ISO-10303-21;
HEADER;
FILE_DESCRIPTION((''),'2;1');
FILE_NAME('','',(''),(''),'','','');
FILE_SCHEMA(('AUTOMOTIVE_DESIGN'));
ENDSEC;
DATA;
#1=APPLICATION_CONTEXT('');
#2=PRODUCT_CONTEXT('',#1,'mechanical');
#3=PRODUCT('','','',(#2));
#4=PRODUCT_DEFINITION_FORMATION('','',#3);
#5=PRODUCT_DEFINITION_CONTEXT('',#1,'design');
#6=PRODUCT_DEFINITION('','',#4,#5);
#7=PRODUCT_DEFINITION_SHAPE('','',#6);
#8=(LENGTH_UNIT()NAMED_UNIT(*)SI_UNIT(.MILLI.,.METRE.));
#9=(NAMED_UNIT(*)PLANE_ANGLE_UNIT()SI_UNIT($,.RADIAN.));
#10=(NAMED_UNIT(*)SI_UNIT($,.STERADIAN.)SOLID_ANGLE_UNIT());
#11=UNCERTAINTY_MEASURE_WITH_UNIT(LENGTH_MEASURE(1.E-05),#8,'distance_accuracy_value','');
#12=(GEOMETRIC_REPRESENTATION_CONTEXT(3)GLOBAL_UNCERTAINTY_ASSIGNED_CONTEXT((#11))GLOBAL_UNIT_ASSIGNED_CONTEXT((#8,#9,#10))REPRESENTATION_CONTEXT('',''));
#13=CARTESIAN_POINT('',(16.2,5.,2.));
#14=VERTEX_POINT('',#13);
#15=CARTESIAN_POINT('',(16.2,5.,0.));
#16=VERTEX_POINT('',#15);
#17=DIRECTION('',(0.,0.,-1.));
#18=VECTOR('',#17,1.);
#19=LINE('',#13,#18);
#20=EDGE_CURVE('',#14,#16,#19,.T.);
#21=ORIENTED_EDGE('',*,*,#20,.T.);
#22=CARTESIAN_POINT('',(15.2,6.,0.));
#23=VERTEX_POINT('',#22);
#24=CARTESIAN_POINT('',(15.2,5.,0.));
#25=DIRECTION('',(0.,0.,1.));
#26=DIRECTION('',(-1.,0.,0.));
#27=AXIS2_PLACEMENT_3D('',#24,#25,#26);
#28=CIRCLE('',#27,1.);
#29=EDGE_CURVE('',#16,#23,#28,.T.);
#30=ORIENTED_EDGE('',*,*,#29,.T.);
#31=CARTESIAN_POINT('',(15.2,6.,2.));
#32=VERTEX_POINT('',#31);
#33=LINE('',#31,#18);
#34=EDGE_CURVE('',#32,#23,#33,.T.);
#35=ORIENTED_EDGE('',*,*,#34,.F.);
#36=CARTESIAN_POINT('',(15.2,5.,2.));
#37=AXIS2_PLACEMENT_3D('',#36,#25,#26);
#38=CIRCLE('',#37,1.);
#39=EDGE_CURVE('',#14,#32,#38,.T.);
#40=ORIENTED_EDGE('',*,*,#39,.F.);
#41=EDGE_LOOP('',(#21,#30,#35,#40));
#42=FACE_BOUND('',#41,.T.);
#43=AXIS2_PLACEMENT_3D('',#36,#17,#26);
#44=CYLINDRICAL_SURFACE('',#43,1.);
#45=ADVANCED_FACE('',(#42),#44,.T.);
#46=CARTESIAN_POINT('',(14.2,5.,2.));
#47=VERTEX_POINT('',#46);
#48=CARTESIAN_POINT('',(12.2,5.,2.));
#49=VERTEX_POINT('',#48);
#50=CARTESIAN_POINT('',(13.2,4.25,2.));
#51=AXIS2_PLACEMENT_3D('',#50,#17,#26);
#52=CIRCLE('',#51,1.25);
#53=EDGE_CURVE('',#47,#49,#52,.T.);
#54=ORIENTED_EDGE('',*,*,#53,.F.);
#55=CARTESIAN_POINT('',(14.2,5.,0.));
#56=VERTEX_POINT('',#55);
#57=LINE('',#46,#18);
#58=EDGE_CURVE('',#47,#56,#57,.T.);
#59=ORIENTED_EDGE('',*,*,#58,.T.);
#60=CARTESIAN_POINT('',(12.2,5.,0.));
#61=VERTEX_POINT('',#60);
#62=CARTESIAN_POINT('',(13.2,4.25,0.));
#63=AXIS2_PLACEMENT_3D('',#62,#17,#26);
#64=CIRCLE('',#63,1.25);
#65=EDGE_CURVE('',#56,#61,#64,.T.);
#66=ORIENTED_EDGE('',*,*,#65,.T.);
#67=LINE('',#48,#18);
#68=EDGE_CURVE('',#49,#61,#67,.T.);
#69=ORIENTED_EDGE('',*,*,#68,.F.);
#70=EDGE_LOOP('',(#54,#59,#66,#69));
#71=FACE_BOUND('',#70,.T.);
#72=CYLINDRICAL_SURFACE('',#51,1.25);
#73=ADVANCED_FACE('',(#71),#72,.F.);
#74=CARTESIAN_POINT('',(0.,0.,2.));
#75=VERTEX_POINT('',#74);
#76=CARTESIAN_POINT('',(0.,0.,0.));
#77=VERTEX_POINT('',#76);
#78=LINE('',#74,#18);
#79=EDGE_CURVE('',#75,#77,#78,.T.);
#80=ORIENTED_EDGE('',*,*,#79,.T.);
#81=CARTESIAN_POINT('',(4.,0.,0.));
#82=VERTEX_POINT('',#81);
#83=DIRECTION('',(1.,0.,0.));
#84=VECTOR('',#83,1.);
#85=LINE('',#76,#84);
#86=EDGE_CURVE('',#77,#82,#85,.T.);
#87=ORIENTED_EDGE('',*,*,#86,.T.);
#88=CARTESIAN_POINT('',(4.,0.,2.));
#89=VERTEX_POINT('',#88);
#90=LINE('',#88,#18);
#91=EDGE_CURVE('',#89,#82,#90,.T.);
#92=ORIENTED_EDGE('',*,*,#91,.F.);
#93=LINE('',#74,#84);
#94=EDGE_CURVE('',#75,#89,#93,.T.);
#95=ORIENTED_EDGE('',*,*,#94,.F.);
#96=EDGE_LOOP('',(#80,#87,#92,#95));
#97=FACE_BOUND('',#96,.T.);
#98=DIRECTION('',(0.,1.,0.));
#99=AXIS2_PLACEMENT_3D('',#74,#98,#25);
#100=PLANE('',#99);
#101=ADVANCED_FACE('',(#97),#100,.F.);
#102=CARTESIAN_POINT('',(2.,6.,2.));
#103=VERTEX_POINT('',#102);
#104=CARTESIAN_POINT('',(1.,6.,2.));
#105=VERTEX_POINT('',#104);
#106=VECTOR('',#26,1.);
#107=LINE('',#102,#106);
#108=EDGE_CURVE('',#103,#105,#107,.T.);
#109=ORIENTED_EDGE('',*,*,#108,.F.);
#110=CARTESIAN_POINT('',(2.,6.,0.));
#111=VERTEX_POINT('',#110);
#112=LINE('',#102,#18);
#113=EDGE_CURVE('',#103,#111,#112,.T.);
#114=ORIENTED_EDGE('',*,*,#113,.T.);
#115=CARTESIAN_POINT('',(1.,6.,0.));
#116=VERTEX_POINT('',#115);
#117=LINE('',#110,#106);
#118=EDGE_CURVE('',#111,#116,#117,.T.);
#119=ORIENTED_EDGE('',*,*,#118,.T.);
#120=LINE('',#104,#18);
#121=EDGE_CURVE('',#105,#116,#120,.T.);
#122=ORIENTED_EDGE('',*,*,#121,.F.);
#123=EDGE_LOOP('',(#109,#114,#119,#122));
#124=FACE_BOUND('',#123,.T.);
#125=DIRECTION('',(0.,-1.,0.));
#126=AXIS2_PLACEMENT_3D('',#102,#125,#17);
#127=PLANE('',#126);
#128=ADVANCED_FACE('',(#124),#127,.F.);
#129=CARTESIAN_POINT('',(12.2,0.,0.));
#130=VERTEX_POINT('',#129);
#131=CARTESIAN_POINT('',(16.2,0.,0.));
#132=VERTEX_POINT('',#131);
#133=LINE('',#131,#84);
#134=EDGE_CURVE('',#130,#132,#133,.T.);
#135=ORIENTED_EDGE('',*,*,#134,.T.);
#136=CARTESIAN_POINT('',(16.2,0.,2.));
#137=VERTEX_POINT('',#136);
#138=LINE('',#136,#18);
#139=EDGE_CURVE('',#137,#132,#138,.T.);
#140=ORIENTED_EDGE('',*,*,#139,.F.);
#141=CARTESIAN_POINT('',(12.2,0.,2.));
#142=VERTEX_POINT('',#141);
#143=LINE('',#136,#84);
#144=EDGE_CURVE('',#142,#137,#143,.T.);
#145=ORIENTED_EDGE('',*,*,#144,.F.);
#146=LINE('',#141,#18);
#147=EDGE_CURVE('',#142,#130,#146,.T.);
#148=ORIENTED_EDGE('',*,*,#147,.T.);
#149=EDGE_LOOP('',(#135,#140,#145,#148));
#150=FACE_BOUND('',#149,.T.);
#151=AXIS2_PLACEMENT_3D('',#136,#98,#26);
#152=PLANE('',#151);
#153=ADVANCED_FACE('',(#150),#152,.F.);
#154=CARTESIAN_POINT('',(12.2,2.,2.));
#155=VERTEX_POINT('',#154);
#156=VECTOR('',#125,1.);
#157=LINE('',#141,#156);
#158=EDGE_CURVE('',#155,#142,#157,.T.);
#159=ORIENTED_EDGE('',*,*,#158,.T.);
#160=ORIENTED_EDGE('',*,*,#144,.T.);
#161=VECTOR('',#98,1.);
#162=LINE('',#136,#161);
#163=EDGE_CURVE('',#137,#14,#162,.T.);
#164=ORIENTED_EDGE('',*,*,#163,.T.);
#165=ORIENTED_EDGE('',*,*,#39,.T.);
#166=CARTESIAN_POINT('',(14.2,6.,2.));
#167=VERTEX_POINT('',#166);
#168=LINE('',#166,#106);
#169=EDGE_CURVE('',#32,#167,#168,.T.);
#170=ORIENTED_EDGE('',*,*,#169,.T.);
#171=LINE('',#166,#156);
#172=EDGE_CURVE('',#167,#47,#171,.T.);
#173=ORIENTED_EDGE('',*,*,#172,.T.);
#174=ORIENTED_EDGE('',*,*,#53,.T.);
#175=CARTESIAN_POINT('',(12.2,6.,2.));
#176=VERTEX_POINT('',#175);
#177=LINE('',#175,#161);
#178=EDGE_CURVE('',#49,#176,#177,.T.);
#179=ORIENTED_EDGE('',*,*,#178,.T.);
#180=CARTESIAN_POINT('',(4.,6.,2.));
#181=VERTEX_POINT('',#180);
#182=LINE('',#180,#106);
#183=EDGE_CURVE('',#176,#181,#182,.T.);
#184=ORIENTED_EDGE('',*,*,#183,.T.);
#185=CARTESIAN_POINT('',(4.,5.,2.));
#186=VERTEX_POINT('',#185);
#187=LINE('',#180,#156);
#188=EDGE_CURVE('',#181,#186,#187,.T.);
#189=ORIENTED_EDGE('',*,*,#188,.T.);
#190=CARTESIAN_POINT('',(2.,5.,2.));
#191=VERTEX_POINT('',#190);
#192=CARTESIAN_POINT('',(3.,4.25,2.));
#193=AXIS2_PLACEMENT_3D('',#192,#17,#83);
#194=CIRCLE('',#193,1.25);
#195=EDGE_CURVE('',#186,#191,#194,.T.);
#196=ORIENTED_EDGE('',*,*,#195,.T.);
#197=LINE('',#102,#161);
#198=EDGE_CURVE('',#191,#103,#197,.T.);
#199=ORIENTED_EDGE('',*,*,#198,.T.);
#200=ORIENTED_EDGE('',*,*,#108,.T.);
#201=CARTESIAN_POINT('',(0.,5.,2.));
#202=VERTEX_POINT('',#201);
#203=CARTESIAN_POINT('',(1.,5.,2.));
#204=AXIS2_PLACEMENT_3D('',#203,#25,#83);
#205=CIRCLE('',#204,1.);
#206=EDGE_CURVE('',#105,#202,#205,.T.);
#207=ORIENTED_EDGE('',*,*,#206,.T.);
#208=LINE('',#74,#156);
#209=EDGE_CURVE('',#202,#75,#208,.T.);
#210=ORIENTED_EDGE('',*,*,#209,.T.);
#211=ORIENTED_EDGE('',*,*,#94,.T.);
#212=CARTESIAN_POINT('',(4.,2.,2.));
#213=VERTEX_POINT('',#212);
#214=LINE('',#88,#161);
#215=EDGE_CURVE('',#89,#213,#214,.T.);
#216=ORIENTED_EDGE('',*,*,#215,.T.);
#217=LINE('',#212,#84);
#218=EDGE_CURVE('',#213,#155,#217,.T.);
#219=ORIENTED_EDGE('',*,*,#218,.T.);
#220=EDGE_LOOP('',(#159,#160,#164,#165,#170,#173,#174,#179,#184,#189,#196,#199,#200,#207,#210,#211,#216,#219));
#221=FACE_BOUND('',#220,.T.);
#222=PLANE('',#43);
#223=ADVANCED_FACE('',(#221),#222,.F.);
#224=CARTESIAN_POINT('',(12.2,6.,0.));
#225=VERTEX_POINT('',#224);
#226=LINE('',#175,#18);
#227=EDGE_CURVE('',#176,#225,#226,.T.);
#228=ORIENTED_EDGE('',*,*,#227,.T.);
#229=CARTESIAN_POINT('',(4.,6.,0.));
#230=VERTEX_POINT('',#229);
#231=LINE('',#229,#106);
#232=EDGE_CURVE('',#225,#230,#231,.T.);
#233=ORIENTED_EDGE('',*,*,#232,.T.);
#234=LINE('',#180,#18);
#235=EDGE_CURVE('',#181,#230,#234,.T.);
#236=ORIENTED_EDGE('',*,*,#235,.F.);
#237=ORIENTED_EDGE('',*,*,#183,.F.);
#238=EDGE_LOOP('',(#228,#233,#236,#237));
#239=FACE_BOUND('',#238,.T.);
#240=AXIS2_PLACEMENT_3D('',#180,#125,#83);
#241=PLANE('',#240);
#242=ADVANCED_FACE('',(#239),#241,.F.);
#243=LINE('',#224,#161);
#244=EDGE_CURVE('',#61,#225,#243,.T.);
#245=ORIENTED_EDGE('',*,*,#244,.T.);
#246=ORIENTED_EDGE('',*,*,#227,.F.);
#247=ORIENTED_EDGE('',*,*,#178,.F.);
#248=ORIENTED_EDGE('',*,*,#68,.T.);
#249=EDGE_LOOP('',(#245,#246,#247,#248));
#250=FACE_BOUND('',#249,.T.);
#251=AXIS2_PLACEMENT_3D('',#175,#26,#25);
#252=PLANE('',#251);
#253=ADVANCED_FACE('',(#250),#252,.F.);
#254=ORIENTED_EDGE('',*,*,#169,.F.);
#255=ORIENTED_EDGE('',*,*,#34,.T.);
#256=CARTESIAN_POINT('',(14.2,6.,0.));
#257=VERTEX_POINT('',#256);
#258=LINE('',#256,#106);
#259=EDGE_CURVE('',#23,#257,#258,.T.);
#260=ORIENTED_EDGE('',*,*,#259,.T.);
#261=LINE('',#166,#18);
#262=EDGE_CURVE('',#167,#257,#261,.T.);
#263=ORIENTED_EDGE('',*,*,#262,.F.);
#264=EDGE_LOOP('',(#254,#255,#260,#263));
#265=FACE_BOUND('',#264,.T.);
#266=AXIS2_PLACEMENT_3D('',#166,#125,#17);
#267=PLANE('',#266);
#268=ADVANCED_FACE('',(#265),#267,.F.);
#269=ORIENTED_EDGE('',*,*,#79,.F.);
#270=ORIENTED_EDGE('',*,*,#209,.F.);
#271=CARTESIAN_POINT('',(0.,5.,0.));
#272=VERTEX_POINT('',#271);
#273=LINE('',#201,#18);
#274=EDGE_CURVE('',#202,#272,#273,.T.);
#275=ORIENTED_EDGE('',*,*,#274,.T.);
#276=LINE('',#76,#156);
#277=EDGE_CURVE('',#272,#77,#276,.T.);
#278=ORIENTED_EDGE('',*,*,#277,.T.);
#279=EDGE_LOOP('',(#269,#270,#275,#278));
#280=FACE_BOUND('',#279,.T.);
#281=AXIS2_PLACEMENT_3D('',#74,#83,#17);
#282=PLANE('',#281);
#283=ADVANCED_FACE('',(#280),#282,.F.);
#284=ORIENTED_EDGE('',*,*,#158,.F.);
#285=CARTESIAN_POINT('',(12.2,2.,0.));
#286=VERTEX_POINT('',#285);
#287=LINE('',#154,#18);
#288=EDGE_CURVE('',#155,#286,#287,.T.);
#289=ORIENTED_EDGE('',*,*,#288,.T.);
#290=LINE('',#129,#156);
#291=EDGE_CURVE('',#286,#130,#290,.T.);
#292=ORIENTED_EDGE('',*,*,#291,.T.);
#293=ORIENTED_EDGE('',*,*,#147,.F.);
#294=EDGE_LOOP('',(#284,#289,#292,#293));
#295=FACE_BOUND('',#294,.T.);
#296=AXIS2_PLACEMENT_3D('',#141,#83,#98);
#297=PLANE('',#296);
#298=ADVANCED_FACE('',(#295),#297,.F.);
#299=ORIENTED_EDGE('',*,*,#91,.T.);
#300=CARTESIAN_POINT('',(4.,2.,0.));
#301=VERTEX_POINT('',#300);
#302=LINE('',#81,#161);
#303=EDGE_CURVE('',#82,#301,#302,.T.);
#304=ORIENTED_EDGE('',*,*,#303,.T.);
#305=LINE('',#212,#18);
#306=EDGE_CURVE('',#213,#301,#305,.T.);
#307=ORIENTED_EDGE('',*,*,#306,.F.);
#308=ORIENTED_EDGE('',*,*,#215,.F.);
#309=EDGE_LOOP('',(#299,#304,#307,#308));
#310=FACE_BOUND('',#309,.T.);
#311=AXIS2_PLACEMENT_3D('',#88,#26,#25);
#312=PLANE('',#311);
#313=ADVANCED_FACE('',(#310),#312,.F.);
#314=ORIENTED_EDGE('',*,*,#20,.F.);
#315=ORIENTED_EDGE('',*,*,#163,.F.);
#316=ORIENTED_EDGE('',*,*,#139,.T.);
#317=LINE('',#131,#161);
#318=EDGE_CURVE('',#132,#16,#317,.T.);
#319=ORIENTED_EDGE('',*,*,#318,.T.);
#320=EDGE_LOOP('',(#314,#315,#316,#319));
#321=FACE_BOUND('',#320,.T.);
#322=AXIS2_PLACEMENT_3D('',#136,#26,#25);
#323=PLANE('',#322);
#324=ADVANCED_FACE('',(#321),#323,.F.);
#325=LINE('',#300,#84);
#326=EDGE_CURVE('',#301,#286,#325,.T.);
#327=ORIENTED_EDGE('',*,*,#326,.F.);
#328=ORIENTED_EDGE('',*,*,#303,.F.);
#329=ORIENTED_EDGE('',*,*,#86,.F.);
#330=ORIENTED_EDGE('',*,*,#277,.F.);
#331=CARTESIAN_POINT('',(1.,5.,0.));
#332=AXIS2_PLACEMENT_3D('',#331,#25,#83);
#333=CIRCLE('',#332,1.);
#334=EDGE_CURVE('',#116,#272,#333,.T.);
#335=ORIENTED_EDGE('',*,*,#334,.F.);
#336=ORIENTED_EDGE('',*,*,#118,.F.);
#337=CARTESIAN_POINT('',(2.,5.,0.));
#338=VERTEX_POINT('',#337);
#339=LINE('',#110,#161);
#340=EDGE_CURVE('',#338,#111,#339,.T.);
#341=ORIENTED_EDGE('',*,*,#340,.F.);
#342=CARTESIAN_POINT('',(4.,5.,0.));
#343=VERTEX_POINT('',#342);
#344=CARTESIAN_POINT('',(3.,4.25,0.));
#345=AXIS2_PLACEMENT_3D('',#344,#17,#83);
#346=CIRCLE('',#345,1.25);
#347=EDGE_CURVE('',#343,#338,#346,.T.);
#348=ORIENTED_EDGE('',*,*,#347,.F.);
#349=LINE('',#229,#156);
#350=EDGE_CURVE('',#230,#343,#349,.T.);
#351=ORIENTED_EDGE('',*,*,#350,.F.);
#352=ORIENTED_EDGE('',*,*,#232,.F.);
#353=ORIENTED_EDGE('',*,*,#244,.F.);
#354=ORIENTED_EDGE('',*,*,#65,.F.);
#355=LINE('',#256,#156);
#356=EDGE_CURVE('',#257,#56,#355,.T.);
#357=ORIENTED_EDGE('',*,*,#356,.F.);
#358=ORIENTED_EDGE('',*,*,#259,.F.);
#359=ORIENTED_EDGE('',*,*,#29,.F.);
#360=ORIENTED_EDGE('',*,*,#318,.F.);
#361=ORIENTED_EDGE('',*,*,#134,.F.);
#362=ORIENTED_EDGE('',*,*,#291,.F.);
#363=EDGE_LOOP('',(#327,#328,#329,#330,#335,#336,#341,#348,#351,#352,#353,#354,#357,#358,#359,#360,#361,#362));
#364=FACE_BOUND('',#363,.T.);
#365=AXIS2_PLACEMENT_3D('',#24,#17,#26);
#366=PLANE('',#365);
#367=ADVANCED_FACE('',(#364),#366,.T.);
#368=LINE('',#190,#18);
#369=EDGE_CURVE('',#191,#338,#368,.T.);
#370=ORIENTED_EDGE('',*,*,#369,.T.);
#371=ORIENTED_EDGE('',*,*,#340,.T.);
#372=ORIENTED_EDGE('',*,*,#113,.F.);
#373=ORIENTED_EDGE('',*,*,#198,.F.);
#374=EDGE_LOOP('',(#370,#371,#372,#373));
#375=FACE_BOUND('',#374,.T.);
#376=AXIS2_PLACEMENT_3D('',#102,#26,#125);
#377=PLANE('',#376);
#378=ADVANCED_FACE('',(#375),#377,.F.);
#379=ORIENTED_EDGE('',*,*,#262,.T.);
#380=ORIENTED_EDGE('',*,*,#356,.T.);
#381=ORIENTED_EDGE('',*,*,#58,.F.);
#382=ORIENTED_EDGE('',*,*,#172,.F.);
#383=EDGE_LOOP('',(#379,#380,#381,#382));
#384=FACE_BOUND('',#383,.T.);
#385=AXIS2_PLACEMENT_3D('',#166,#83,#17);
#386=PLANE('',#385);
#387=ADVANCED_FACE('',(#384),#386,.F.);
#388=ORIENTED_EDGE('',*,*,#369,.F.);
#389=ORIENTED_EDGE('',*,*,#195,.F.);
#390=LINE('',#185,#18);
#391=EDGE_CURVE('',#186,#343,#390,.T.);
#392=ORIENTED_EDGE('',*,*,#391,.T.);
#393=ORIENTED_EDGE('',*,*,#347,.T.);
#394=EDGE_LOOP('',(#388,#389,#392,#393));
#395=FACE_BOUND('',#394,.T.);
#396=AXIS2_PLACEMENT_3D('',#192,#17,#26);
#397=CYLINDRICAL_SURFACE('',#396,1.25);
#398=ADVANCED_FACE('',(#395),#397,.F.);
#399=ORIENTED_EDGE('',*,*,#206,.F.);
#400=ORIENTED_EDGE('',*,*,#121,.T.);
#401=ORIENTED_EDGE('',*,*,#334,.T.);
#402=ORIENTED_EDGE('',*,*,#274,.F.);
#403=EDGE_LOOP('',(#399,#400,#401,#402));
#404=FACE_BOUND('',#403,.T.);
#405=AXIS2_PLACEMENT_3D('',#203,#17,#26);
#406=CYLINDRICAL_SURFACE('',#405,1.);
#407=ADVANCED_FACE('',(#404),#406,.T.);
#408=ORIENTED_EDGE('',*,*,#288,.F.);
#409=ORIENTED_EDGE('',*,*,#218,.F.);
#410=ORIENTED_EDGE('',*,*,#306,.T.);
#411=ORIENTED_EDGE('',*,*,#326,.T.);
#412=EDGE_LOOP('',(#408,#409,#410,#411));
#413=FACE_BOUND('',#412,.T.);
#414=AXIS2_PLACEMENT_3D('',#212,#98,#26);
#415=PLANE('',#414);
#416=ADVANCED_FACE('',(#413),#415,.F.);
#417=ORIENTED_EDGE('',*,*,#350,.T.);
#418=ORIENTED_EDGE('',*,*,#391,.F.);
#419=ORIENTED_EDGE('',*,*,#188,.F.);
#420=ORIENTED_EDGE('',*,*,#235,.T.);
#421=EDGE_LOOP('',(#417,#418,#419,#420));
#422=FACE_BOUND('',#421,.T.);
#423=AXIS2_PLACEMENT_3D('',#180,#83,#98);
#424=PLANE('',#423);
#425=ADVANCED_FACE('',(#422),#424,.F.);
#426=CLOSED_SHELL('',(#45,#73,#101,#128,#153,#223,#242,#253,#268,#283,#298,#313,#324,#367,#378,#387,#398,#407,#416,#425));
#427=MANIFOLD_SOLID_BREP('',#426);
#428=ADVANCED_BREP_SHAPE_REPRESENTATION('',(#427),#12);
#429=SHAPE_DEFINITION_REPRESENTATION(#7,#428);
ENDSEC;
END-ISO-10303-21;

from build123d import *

# Parameters (mm, degrees)
BOSS_EXTRUDE1_DEPTH = 2


with BuildPart() as part:
    # Sketch1 → Boss-Extrude1 (new body)
    with BuildSketch(Plane.XY):
        with BuildLine():
            Line((4, 6), (12.2, 6))
            Line((12.2, 6), (12.2, 5))
            ThreePointArc((12.2, 5), (13.2, 3), (14.2, 5))
            Line((14.2, 5), (14.2, 6))
            Line((14.2, 6), (15.2, 6))
            ThreePointArc((15.2, 6), (15.907106781, 5.707106781), (16.2, 5))
            Line((16.2, 5), (16.2, 0))
            Line((16.2, 0), (12.2, 0))
            Line((12.2, 0), (12.2, 2))
            Line((12.2, 2), (4, 2))
            Line((4, 2), (4, 0))
            Line((4, 0), (0, 0))
            Line((0, 0), (0, 5))
            ThreePointArc((0, 5), (0.292893219, 5.707106781), (1, 6))
            Line((1, 6), (2, 6))
            Line((2, 6), (2, 5))
            ThreePointArc((2, 5), (3, 3), (4, 5))
            Line((4, 5), (4, 6))
        make_face()
    extrude(amount=BOSS_EXTRUDE1_DEPTH)


solid = part.part
